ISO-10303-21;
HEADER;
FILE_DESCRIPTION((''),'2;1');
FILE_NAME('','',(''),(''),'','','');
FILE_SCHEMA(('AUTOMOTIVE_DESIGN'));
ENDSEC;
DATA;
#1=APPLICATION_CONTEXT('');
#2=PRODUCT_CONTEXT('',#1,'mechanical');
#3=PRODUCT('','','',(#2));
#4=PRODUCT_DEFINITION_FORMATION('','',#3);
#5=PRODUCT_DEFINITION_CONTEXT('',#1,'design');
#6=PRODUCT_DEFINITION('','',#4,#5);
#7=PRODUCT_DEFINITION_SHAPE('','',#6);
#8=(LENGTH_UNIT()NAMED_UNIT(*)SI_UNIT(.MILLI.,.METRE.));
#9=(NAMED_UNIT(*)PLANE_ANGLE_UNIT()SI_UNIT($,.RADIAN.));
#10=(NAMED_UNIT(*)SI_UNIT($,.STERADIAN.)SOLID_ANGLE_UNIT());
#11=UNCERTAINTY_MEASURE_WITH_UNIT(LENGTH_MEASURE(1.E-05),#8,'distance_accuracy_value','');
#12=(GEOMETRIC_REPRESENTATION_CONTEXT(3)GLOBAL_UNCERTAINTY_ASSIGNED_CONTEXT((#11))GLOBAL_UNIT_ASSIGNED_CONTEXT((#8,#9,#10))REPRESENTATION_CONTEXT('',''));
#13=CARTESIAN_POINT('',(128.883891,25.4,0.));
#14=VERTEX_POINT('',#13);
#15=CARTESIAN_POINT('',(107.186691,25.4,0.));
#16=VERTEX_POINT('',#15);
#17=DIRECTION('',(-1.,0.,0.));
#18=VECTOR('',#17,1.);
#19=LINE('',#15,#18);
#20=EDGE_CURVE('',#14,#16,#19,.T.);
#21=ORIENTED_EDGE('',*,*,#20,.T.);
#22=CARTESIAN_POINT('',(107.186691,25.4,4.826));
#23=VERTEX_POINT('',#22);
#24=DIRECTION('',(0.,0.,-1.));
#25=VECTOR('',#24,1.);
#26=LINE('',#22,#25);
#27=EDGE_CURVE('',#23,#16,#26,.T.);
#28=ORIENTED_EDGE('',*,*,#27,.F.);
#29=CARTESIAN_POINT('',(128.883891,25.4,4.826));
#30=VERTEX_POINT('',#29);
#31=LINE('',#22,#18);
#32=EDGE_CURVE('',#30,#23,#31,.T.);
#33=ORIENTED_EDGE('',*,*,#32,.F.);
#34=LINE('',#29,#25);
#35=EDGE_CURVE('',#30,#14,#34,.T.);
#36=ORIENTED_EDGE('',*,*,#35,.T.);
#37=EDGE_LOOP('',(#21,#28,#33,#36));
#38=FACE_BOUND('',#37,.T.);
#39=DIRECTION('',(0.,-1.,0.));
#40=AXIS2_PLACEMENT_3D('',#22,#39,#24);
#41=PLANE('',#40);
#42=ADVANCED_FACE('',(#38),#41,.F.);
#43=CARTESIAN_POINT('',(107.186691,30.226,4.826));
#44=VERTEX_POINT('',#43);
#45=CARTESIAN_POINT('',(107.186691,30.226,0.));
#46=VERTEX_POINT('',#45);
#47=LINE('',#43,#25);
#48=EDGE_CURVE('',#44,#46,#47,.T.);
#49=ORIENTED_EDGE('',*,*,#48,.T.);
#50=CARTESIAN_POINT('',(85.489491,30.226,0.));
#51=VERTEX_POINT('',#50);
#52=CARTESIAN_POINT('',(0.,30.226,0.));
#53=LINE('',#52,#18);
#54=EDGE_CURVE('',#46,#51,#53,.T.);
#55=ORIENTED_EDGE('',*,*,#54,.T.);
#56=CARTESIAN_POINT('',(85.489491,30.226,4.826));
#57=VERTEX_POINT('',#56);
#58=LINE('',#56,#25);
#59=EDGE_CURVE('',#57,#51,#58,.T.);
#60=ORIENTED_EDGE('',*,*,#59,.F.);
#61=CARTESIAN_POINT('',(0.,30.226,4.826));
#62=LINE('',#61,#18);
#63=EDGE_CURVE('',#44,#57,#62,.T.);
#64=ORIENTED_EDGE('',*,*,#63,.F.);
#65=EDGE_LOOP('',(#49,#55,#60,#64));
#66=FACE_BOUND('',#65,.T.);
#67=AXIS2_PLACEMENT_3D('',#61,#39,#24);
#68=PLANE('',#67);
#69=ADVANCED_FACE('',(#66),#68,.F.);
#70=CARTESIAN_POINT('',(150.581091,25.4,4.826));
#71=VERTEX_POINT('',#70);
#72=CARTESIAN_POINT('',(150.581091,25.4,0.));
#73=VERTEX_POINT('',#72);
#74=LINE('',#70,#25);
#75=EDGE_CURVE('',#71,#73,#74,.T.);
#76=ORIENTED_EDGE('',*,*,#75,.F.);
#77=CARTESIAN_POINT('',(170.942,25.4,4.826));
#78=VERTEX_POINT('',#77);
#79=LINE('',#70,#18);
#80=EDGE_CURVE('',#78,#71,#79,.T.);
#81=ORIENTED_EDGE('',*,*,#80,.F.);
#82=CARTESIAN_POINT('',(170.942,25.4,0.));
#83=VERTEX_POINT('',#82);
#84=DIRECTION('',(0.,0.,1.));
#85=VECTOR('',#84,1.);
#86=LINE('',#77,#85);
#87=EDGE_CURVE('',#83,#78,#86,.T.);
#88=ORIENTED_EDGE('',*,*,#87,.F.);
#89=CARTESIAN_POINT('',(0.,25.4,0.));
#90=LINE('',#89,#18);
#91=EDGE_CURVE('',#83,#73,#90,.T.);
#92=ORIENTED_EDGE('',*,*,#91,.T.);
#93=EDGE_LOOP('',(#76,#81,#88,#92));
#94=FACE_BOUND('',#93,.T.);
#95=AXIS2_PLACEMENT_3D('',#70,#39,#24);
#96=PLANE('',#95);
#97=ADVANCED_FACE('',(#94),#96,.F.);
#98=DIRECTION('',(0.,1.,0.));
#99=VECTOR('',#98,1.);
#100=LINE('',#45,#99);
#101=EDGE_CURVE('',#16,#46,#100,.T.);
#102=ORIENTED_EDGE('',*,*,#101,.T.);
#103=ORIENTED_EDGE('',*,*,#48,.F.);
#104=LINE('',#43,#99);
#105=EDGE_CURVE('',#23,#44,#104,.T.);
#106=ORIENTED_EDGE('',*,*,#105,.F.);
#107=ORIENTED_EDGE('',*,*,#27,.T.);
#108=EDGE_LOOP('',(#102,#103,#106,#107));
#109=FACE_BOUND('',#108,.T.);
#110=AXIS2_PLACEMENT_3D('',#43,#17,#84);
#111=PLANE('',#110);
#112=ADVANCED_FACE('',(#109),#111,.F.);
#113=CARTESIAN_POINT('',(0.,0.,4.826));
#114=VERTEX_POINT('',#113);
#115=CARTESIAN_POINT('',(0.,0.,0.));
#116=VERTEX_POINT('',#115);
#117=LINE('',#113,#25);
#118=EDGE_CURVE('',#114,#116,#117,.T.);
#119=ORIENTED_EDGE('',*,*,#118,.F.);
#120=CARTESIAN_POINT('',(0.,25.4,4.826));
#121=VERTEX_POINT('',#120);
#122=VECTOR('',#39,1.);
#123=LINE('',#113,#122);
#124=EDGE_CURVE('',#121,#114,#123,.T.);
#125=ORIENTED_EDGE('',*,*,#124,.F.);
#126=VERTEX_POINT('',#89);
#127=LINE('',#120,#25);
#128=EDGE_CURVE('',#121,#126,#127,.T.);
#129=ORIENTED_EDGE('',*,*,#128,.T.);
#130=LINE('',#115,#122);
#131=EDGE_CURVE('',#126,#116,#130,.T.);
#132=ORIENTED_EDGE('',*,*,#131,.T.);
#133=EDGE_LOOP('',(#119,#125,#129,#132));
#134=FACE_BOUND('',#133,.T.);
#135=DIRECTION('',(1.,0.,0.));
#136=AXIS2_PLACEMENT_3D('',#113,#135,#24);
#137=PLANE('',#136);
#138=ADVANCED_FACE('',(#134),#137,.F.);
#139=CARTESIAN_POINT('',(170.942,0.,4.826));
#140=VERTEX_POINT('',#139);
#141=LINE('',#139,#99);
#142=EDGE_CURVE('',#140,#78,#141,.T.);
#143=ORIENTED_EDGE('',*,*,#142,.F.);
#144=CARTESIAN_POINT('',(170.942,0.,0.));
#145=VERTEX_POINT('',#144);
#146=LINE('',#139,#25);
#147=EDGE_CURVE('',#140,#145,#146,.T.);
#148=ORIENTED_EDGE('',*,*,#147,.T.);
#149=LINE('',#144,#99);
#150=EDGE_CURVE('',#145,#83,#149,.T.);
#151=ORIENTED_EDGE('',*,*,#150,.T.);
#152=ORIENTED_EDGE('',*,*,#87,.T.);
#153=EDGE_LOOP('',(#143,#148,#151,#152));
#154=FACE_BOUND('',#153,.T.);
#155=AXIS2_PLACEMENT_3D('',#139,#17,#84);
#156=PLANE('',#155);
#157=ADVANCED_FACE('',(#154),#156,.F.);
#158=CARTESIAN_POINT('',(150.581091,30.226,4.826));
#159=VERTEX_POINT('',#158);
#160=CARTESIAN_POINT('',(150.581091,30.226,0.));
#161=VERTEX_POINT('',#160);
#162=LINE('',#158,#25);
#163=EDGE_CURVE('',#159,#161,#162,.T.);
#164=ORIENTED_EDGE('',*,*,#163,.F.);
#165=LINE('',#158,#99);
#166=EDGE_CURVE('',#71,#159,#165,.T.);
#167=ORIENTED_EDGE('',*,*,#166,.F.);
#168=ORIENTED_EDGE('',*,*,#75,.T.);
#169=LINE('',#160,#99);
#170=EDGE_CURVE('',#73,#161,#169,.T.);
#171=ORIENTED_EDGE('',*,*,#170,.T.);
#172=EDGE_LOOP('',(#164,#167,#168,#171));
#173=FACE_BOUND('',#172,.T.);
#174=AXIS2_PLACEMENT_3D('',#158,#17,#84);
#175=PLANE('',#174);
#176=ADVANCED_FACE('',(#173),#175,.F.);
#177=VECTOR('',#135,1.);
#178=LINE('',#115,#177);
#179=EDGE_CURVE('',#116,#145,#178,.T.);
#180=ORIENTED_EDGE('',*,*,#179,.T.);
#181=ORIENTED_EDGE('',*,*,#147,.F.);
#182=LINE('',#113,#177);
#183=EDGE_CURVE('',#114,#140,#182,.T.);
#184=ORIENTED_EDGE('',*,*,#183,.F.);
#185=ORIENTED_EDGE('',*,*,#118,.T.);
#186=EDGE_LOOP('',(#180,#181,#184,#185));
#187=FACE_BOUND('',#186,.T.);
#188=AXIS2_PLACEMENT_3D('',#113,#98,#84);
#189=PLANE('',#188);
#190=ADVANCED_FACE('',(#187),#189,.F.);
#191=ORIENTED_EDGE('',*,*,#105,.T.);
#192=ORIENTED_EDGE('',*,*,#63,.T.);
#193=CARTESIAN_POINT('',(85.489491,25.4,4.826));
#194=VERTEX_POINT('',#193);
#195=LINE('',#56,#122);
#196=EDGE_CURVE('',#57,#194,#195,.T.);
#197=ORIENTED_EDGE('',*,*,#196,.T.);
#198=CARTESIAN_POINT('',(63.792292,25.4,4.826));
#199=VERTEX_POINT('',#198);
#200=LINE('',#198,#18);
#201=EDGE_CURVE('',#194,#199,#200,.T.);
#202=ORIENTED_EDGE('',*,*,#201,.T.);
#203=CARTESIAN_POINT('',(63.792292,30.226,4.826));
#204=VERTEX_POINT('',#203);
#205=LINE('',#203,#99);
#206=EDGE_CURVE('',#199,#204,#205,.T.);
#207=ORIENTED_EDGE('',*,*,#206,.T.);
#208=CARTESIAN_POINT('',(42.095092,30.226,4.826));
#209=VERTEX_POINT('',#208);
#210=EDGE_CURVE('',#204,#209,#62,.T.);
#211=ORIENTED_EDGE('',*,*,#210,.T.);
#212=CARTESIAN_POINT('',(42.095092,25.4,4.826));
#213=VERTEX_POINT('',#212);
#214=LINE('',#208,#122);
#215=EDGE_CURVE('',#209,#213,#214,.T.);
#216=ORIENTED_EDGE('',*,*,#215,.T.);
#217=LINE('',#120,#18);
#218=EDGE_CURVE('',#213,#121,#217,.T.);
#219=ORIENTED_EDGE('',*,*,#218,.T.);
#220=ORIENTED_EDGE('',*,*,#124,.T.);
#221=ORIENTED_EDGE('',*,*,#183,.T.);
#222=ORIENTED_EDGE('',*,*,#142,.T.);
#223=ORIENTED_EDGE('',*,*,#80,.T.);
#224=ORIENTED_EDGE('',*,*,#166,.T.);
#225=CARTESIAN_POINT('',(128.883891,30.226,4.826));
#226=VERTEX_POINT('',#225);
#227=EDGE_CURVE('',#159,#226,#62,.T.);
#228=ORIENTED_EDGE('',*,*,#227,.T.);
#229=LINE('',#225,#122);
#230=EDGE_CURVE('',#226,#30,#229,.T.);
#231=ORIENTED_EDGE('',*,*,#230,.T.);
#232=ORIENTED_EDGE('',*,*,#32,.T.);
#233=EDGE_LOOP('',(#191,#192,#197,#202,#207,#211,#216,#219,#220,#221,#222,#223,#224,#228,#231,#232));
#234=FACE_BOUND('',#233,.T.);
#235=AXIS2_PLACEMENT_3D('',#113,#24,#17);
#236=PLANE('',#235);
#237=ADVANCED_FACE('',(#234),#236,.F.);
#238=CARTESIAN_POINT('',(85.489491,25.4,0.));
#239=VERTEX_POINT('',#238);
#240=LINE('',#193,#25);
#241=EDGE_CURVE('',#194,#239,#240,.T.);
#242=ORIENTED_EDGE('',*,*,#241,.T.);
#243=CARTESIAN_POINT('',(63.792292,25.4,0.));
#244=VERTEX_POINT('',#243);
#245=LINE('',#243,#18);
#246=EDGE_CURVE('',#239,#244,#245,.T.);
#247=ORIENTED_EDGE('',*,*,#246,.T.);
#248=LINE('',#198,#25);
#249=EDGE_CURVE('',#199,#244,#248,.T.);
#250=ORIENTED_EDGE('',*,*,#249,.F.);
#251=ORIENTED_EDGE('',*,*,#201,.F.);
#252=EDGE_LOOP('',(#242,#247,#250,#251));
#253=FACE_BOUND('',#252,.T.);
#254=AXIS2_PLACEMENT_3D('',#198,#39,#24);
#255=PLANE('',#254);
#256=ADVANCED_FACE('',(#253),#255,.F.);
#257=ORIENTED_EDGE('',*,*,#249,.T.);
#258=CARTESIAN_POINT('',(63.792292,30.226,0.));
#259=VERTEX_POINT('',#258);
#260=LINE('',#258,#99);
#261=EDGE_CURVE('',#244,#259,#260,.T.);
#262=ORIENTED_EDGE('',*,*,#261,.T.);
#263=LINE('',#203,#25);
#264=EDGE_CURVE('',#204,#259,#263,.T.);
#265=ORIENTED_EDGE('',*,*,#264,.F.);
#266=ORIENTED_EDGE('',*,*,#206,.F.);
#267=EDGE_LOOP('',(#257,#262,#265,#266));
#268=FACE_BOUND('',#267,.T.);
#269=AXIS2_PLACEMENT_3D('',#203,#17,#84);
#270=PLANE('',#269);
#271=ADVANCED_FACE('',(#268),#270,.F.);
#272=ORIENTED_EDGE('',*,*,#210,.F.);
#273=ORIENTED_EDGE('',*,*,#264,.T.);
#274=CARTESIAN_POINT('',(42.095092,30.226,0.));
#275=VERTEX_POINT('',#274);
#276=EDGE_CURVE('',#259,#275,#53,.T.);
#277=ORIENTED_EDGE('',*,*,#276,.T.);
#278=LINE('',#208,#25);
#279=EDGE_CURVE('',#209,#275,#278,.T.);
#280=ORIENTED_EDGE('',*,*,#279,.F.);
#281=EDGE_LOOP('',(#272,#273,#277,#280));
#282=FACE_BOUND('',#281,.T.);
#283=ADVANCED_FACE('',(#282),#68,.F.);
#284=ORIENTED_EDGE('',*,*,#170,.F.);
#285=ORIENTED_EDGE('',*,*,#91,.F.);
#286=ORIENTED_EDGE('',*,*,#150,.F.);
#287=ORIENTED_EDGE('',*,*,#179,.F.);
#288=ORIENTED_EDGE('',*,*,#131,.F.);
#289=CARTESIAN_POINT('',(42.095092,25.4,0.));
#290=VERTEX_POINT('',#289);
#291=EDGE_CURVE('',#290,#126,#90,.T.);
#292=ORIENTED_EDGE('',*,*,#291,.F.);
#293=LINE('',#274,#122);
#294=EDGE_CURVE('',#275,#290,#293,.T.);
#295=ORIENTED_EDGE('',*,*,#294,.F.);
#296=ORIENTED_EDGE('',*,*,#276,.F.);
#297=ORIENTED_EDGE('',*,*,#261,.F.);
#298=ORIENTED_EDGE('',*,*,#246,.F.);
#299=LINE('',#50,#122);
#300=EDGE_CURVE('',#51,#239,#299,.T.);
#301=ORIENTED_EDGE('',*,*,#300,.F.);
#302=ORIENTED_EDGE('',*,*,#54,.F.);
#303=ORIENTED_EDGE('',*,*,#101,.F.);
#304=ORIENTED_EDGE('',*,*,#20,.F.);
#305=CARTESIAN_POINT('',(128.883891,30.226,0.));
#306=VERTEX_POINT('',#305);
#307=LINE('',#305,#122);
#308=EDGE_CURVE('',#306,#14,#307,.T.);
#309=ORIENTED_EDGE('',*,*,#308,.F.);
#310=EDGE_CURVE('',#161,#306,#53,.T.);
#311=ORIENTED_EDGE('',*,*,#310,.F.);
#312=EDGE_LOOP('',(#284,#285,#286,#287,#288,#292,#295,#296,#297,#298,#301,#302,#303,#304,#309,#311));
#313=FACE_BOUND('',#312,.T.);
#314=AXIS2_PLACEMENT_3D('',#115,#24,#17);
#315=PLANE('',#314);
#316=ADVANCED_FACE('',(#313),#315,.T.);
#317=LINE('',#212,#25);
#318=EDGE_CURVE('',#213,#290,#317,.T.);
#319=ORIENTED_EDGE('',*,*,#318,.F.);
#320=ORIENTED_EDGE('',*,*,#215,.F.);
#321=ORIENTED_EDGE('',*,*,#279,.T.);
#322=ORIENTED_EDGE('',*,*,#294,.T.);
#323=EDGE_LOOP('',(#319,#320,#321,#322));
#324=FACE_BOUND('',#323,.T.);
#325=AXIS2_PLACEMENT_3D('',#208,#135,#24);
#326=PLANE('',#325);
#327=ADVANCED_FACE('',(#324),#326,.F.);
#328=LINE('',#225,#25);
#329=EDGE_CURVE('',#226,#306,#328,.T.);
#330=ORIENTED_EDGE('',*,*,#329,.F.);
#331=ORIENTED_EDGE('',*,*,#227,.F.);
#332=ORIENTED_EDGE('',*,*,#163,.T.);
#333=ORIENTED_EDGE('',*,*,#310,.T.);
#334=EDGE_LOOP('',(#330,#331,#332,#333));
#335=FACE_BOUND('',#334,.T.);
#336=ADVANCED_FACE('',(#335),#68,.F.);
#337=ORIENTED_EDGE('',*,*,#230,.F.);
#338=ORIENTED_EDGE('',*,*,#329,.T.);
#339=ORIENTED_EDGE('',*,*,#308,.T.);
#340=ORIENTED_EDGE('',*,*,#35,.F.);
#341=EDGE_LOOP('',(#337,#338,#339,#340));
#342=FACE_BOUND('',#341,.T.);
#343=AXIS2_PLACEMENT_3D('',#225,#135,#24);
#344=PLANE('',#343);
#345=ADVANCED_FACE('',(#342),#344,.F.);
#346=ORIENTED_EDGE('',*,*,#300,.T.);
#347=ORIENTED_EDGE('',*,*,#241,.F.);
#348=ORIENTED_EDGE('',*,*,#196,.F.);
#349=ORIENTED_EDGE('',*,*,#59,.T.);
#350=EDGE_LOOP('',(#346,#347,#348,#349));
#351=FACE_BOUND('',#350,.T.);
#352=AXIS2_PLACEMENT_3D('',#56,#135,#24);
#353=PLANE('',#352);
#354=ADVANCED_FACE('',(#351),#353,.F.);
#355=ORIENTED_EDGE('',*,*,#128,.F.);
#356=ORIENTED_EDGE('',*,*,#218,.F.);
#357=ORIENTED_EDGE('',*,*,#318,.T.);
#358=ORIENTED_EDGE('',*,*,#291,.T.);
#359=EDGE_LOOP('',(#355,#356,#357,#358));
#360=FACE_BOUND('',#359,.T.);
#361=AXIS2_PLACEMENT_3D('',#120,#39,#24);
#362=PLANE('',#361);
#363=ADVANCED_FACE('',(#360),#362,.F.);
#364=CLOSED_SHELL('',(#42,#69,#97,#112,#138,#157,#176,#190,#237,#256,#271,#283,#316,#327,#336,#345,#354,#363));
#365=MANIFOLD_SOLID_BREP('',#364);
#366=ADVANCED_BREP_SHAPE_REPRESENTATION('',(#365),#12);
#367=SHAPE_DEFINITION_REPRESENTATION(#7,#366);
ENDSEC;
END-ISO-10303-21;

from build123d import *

# Parameters (mm, degrees)
SKETCH1_W           = 170.942
SKETCH1_H           = 30.226
BOSS_EXTRUDE1_DEPTH = 4.826
SKETCH2_W           = 42.09509181
SKETCH2_H           = 4.826
SKETCH2_W_2         = 21.697199751
SKETCH2_W_3         = 20.39789206
CUT_EXTRUDE1_DEPTH  = 174.660786351


with BuildPart() as part:
    # Sketch1 → Boss-Extrude1 (new body)
    with BuildSketch(Plane.XY):
        with Locations((85.471, 15.113)):
            Rectangle(SKETCH1_W, SKETCH1_H)
    extrude(amount=BOSS_EXTRUDE1_DEPTH)

    # Sketch2 → Cut-Extrude1 (cut, through all)
    with BuildSketch(Plane(origin=(0, 0, 0), x_dir=(-1, 0, 0), z_dir=(0, 0, -1))):
        with Locations((-21.047545905, 27.813)):
            Rectangle(SKETCH2_W, SKETCH2_H)
        with Locations((-74.640891438, 27.813)):
            Rectangle(SKETCH2_W_2, SKETCH2_H)
        with Locations((-118.035290941, 27.813)):
            Rectangle(SKETCH2_W_2, SKETCH2_H)
        with Locations((-160.780036597, 27.813)):
            Rectangle(SKETCH2_W_3, SKETCH2_H)
    extrude(amount=-CUT_EXTRUDE1_DEPTH, mode=Mode.SUBTRACT)


solid = part.part
